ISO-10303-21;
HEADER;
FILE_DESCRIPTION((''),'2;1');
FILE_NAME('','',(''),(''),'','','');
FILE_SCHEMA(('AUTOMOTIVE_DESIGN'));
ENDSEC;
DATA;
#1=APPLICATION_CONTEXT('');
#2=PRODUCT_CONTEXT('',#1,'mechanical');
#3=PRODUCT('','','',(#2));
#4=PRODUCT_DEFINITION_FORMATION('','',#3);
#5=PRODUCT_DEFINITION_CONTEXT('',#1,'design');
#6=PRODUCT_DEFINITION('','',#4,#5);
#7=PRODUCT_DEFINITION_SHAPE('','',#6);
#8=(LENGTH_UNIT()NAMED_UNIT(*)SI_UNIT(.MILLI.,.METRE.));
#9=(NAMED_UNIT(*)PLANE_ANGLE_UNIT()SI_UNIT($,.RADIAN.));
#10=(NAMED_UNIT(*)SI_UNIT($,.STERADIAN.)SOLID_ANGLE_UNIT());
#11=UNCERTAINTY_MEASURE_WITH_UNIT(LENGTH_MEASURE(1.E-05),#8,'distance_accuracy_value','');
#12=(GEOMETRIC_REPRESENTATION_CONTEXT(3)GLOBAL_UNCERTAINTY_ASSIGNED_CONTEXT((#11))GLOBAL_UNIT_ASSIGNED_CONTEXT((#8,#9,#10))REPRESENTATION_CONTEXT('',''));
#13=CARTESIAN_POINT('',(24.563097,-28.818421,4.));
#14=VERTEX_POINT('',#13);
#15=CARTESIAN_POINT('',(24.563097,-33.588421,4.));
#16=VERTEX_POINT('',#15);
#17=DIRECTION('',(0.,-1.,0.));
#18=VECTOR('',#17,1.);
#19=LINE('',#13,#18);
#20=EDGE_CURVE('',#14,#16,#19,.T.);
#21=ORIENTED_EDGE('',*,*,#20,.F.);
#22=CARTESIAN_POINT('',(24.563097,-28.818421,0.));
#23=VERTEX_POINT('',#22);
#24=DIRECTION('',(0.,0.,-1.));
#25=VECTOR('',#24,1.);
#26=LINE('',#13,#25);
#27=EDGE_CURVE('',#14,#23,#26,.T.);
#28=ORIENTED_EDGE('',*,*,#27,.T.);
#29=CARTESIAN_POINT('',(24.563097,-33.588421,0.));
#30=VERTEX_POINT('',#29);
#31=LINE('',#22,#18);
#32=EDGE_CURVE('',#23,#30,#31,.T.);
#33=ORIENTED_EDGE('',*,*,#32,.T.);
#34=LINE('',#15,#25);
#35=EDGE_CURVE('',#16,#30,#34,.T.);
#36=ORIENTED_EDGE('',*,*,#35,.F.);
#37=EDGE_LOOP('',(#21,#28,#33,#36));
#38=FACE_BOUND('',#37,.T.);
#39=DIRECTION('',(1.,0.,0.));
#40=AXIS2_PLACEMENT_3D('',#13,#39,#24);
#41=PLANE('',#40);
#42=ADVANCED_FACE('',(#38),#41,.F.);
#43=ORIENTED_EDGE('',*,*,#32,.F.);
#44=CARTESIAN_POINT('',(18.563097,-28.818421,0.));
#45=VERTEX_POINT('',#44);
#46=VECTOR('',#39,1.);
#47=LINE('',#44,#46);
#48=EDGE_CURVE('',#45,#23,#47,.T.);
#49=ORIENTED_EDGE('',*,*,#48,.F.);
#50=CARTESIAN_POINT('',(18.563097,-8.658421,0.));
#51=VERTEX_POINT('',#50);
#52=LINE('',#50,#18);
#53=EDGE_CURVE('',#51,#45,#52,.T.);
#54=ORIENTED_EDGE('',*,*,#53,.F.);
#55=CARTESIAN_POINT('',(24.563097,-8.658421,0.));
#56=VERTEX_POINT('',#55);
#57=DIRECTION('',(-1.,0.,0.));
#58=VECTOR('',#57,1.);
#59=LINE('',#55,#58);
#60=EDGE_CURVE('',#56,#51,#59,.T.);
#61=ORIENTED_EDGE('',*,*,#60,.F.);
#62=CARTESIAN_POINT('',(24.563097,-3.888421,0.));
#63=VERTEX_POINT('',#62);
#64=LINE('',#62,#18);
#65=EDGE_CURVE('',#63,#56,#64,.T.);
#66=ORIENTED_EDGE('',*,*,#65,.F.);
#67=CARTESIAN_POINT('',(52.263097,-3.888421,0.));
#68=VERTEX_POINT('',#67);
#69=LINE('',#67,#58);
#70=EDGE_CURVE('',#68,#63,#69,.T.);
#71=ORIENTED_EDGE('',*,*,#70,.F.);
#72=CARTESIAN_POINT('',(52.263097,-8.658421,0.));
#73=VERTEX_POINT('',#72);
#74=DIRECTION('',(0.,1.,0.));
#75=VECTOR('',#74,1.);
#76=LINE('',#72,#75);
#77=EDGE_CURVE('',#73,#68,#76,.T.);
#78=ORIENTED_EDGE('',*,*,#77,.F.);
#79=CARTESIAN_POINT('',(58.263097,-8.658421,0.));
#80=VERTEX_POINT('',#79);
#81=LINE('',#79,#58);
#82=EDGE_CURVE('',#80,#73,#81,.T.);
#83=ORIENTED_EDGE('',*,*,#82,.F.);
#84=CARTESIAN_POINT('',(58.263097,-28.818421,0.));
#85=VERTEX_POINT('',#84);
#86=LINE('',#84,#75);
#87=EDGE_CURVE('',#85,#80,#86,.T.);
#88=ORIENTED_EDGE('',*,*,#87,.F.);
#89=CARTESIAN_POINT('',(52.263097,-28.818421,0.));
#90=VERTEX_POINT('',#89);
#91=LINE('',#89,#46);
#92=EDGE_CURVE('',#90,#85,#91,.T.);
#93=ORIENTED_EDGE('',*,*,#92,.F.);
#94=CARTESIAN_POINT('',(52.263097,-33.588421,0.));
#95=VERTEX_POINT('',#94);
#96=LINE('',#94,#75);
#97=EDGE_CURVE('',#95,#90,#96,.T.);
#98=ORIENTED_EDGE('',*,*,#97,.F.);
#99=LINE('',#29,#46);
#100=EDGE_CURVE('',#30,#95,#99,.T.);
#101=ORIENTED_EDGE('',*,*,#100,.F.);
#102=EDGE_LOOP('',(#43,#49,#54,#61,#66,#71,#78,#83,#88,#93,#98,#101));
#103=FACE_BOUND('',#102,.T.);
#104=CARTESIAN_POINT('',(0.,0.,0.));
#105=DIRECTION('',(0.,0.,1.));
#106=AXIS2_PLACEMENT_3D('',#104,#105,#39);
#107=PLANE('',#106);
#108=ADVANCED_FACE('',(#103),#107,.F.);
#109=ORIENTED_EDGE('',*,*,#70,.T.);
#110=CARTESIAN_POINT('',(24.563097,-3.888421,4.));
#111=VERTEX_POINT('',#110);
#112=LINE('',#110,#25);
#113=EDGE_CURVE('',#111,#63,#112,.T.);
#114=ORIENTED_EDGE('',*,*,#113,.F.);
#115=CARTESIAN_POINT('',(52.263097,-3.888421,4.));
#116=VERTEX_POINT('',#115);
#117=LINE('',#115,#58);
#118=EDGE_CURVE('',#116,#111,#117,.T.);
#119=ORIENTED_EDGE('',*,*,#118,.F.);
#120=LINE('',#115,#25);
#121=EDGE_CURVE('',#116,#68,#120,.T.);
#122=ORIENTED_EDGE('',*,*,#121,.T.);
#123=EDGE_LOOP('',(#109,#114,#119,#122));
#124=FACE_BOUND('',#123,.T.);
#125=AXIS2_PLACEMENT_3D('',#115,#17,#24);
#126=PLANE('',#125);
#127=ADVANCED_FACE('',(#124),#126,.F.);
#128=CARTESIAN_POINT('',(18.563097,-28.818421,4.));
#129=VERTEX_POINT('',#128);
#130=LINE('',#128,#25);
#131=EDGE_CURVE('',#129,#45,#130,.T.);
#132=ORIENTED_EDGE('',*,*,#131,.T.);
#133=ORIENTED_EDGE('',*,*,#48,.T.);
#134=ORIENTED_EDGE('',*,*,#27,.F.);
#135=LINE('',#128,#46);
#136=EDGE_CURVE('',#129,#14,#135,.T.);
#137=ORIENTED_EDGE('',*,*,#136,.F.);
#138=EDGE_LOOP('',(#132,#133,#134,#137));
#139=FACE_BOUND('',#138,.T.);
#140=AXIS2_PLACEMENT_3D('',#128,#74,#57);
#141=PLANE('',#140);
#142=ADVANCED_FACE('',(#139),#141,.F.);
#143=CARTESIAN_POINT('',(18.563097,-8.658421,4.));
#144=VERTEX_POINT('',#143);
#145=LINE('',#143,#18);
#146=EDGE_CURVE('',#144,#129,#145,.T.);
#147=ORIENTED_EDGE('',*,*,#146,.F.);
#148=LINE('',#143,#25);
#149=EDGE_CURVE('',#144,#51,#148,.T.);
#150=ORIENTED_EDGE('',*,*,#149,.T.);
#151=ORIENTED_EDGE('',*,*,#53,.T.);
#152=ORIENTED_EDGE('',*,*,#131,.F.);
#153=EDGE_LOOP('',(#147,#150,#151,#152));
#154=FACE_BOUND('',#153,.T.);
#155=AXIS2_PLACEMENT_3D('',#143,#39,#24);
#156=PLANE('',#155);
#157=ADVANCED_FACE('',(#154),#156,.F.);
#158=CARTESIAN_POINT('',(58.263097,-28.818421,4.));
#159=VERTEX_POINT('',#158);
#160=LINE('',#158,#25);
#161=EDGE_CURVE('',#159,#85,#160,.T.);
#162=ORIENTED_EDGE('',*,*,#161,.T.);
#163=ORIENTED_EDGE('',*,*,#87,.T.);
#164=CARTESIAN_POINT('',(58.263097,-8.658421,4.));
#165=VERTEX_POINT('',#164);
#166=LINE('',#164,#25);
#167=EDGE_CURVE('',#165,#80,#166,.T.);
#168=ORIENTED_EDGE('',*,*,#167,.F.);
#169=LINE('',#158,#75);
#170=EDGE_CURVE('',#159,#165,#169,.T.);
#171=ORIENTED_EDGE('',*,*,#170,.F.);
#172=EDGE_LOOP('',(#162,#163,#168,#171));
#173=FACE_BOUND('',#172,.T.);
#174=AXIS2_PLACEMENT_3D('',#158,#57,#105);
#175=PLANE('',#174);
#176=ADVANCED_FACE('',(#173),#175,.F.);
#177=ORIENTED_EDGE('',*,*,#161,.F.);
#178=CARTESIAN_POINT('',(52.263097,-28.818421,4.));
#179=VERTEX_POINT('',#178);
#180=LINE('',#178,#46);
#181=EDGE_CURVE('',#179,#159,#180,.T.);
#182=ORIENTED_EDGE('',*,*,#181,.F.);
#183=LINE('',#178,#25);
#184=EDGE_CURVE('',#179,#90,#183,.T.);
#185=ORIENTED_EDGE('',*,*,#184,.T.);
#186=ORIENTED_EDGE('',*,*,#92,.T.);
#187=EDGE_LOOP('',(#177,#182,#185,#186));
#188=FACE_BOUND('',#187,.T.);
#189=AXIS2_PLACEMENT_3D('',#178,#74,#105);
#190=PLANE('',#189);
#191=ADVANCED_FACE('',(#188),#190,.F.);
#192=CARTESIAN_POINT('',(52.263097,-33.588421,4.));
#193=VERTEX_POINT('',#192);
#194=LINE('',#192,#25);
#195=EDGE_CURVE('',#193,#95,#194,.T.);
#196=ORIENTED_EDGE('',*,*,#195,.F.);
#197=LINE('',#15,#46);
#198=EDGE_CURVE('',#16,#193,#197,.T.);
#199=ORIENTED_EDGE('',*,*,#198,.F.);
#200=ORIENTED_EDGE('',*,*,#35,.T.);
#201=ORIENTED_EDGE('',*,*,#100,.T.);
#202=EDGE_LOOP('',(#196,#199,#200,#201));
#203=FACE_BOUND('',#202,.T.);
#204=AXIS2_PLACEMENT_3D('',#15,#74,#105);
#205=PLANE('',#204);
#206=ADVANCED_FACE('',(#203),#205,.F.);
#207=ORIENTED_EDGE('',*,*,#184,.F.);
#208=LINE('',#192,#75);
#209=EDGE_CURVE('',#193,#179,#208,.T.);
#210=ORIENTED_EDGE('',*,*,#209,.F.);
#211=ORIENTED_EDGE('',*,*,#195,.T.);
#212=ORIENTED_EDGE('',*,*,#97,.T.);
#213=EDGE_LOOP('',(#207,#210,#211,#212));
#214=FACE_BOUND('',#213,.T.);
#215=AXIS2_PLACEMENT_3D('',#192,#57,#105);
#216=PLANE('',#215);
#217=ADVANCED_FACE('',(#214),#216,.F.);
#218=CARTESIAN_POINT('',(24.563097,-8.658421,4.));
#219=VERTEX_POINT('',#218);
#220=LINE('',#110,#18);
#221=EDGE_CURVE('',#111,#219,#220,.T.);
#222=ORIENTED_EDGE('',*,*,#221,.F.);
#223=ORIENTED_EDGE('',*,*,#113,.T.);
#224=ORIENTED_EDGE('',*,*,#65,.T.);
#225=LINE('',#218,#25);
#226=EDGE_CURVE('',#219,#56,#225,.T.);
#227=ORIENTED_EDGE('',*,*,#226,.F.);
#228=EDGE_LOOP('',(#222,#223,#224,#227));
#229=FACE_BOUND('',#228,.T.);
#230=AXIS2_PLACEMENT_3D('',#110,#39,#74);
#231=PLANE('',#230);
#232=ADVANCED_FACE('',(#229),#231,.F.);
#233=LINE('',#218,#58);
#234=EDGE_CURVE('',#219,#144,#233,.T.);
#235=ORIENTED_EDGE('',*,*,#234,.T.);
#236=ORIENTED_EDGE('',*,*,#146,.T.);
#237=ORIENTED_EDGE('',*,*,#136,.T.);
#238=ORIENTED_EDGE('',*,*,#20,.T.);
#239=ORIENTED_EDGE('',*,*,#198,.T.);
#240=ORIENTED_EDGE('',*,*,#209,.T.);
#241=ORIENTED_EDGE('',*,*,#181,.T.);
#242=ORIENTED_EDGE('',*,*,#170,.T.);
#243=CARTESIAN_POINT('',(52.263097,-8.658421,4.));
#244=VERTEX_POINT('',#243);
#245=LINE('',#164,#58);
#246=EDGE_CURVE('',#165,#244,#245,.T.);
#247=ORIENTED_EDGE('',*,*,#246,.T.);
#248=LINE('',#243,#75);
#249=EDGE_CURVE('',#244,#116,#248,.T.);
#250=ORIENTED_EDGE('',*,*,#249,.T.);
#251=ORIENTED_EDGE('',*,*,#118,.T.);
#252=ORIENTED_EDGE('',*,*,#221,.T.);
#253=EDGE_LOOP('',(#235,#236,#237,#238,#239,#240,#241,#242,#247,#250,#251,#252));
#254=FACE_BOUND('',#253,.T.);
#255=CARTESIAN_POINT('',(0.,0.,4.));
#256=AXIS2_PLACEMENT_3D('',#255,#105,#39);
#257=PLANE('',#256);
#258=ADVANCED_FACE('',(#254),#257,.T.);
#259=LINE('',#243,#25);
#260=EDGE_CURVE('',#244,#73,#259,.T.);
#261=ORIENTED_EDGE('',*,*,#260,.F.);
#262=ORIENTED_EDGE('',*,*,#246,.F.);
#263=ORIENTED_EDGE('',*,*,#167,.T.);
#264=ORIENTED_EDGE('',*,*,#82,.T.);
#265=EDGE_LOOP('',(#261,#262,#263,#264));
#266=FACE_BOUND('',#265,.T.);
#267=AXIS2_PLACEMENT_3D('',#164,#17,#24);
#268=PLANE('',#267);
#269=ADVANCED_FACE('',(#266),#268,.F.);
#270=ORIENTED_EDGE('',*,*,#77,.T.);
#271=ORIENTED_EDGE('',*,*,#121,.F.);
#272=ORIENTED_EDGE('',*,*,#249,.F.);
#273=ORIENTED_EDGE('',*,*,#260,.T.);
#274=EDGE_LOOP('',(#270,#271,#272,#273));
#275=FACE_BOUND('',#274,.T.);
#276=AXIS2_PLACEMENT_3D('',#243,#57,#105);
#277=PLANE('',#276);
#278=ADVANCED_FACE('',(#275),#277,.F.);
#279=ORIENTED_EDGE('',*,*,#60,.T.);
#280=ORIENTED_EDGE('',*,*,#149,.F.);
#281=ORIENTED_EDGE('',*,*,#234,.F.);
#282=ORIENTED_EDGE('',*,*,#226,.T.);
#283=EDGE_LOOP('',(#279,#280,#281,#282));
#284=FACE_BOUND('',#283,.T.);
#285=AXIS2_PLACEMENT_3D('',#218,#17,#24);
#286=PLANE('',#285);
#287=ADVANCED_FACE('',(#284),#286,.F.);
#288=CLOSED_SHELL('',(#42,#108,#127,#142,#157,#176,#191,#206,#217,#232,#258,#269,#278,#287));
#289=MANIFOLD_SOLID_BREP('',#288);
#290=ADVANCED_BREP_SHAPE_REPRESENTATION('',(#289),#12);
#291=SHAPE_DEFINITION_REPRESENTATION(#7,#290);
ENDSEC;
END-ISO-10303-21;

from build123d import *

# Parameters (mm, degrees)
EXTRUDE_1_DEPTH = 4


with BuildPart() as part:
    # 草图1 → 凸台-拉伸1 (new body)
    with BuildSketch(Plane.XY):
        Polygon((58.263097366, -8.658421364), (52.263097366, -8.658421364), (52.263097366, -3.888421364), (24.563097366, -3.888421364), (24.563097366, -8.658421364), (18.563097366, -8.658421364), (18.563097366, -28.818421364), (24.563097366, -28.818421364), (24.563097366, -33.588421364), (52.263097366, -33.588421364), (52.263097366, -28.818421364), (58.263097366, -28.818421364), align=None)
    extrude(amount=EXTRUDE_1_DEPTH)


solid = part.part
